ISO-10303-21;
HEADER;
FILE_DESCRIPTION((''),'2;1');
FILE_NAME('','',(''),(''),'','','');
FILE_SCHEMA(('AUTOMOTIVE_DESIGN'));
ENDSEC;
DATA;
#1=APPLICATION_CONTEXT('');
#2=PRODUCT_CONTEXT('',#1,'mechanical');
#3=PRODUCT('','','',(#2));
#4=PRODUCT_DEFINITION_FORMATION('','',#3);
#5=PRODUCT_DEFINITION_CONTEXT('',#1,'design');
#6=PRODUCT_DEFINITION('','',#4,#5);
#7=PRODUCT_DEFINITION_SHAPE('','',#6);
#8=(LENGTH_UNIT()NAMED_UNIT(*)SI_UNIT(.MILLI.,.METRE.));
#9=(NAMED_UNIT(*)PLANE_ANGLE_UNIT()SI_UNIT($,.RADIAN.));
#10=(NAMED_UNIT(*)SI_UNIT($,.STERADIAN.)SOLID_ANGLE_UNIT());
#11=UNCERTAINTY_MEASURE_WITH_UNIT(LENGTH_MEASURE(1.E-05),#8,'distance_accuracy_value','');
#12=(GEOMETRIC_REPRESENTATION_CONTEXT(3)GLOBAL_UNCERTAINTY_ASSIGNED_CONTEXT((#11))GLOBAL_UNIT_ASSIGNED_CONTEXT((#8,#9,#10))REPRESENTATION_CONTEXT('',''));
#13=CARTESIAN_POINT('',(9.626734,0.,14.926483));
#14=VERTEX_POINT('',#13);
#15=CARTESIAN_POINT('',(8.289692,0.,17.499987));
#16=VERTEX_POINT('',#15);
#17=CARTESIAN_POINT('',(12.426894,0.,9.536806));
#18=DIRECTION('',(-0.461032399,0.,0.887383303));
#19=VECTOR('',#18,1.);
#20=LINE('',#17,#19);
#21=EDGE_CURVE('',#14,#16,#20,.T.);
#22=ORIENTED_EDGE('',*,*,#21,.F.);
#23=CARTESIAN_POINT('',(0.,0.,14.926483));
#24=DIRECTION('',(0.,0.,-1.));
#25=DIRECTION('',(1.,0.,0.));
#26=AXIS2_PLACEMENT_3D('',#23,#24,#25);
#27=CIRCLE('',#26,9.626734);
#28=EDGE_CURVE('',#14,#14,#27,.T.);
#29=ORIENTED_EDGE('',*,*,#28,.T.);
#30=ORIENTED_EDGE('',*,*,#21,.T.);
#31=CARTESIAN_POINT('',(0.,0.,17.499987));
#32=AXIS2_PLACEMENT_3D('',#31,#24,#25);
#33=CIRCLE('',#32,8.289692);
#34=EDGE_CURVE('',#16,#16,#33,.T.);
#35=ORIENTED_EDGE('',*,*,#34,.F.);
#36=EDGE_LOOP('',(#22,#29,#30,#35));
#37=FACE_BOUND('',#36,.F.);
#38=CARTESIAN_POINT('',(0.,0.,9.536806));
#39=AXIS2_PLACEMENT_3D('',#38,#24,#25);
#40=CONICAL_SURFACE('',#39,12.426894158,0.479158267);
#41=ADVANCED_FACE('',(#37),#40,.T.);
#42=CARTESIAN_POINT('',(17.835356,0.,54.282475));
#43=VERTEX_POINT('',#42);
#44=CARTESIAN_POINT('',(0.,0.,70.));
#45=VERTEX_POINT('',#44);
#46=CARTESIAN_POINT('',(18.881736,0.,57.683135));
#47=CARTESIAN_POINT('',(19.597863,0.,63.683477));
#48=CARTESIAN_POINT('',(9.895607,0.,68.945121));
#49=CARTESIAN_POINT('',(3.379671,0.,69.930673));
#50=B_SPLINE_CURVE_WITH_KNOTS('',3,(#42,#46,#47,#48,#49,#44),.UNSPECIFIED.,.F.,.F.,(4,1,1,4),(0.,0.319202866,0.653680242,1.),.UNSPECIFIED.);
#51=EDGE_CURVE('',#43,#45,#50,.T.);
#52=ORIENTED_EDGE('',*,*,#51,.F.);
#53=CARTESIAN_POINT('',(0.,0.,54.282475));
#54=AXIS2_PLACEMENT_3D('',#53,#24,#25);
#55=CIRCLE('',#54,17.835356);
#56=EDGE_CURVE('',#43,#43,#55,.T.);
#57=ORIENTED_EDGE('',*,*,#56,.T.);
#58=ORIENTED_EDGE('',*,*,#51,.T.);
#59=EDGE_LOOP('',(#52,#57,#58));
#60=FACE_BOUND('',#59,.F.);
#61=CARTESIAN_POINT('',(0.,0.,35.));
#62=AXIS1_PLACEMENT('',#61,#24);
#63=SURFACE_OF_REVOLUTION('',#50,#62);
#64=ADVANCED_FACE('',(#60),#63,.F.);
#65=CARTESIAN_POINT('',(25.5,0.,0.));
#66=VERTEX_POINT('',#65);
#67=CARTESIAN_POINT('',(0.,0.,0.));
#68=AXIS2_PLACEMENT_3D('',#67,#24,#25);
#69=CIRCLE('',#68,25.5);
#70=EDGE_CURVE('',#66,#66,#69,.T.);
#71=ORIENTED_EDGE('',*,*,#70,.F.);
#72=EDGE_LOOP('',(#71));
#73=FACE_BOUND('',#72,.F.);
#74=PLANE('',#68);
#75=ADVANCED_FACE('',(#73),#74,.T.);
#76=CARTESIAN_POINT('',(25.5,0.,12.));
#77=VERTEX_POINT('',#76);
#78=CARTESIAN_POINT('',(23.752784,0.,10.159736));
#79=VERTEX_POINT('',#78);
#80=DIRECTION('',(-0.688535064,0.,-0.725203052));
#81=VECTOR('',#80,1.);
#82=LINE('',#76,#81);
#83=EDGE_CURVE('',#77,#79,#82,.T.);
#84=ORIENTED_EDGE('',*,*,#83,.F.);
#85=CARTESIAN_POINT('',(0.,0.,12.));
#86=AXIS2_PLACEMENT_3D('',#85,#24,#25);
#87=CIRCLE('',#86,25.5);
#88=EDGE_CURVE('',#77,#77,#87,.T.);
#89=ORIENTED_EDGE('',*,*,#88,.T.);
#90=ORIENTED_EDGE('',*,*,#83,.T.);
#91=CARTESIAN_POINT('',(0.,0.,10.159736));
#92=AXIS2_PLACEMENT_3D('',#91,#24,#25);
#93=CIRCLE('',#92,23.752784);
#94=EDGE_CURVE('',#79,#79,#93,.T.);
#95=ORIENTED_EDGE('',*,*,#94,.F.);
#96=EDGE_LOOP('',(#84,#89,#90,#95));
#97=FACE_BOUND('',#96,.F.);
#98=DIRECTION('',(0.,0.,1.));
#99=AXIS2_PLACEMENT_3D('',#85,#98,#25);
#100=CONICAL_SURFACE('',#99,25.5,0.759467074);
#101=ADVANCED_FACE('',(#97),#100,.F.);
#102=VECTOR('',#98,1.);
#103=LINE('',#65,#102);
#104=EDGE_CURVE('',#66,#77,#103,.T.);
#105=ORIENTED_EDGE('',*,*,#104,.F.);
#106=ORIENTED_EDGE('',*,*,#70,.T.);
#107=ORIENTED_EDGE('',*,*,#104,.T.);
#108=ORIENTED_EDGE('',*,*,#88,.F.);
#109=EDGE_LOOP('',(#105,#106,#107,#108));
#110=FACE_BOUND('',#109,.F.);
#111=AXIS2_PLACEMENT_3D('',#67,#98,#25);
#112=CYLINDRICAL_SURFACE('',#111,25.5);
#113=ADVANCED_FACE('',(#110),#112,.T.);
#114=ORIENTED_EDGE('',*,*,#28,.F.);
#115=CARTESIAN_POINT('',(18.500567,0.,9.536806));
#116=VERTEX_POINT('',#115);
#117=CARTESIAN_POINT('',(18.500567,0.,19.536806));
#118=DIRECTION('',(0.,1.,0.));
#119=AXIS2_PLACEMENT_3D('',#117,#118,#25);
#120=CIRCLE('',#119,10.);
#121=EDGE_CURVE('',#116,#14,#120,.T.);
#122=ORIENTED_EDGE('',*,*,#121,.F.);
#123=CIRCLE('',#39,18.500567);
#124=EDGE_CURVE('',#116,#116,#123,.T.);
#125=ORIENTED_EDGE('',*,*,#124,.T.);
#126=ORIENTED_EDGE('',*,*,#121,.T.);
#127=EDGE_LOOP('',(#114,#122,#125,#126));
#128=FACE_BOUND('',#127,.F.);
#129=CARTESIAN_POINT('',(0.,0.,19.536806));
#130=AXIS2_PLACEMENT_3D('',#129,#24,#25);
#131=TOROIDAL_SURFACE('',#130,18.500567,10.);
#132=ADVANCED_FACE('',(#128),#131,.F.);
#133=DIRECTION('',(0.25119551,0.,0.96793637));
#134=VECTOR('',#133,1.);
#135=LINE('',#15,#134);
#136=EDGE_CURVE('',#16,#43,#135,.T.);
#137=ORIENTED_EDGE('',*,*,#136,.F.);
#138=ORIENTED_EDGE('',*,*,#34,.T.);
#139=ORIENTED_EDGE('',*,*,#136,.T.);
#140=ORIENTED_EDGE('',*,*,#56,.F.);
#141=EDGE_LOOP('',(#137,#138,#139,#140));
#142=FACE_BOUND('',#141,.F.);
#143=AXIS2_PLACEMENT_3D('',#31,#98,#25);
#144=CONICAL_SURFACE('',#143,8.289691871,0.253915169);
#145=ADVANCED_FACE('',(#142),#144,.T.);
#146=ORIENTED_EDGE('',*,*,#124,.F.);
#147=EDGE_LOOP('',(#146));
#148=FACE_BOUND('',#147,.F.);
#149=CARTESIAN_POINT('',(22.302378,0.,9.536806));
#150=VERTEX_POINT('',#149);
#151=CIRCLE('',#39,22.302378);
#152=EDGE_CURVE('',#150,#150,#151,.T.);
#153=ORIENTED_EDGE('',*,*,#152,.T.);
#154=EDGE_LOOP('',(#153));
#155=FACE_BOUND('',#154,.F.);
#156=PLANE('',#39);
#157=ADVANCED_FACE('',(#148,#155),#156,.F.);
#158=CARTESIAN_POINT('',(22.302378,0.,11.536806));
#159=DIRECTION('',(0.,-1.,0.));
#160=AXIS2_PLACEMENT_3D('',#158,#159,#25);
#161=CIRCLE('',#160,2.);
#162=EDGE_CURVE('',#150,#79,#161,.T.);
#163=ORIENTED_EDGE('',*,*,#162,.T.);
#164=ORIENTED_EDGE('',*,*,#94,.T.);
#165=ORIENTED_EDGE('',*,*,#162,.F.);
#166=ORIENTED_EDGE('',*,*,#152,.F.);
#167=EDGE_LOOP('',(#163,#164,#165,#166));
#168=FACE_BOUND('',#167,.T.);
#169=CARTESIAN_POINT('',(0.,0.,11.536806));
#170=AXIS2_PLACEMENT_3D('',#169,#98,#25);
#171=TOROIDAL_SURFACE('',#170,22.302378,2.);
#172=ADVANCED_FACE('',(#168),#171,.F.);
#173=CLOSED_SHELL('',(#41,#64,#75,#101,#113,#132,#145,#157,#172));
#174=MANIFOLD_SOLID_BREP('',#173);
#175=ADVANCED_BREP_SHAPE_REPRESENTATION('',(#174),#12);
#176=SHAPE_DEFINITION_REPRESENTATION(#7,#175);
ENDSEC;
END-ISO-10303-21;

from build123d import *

# Parameters (mm, degrees)
F2_R = 10
F3_R = 2


with BuildPart() as f1:
    # F0 (on Front) → F1 (revolve)
    with BuildSketch(Plane.XZ):
        with BuildLine():
            Line((0, 70), (0, 0))
            Line((0, 0), (25.5, 0))
            Line((25.5, 0), (25.5, 12))
            Line((25.5, 12), (23.161351406, 9.536806494))
            Line((23.161351406, 9.536806494), (12.4268941581, 9.536806494))
            Line((12.4268941581, 9.536806494), (8.2896918707, 17.4999870426))
            Line((8.2896918707, 17.4999870426), (17.8353563403, 54.2824750416))
            add(Edge.make_bspline(
                [(17.8353563403, 54.2824750416), (18.8817362992, 57.6831345085), (19.5978634285, 63.6834766541), (9.8956074759, 68.9451214738), (3.3796710427, 69.9306730781), (0, 70)],
                knots=[0, 0, 0, 0, 0.3192028664, 0.6536802419, 1, 1, 1, 1], degree=3))
        make_face()
    revolve(axis=Axis((0, 0, 35), (0, 0, -1)))

    # F2
    f2_edges = [f1.edges().sort_by_distance(p)[0] for p in [
        (-12.426894, 0, 9.536806),
    ]]
    fillet(f2_edges, radius=F2_R)

    # F3
    f3_edges = [f1.edges().sort_by_distance(p)[0] for p in [
        (-23.161351, 0, 9.536806),
    ]]
    fillet(f3_edges, radius=F3_R)


solid = f1.part
